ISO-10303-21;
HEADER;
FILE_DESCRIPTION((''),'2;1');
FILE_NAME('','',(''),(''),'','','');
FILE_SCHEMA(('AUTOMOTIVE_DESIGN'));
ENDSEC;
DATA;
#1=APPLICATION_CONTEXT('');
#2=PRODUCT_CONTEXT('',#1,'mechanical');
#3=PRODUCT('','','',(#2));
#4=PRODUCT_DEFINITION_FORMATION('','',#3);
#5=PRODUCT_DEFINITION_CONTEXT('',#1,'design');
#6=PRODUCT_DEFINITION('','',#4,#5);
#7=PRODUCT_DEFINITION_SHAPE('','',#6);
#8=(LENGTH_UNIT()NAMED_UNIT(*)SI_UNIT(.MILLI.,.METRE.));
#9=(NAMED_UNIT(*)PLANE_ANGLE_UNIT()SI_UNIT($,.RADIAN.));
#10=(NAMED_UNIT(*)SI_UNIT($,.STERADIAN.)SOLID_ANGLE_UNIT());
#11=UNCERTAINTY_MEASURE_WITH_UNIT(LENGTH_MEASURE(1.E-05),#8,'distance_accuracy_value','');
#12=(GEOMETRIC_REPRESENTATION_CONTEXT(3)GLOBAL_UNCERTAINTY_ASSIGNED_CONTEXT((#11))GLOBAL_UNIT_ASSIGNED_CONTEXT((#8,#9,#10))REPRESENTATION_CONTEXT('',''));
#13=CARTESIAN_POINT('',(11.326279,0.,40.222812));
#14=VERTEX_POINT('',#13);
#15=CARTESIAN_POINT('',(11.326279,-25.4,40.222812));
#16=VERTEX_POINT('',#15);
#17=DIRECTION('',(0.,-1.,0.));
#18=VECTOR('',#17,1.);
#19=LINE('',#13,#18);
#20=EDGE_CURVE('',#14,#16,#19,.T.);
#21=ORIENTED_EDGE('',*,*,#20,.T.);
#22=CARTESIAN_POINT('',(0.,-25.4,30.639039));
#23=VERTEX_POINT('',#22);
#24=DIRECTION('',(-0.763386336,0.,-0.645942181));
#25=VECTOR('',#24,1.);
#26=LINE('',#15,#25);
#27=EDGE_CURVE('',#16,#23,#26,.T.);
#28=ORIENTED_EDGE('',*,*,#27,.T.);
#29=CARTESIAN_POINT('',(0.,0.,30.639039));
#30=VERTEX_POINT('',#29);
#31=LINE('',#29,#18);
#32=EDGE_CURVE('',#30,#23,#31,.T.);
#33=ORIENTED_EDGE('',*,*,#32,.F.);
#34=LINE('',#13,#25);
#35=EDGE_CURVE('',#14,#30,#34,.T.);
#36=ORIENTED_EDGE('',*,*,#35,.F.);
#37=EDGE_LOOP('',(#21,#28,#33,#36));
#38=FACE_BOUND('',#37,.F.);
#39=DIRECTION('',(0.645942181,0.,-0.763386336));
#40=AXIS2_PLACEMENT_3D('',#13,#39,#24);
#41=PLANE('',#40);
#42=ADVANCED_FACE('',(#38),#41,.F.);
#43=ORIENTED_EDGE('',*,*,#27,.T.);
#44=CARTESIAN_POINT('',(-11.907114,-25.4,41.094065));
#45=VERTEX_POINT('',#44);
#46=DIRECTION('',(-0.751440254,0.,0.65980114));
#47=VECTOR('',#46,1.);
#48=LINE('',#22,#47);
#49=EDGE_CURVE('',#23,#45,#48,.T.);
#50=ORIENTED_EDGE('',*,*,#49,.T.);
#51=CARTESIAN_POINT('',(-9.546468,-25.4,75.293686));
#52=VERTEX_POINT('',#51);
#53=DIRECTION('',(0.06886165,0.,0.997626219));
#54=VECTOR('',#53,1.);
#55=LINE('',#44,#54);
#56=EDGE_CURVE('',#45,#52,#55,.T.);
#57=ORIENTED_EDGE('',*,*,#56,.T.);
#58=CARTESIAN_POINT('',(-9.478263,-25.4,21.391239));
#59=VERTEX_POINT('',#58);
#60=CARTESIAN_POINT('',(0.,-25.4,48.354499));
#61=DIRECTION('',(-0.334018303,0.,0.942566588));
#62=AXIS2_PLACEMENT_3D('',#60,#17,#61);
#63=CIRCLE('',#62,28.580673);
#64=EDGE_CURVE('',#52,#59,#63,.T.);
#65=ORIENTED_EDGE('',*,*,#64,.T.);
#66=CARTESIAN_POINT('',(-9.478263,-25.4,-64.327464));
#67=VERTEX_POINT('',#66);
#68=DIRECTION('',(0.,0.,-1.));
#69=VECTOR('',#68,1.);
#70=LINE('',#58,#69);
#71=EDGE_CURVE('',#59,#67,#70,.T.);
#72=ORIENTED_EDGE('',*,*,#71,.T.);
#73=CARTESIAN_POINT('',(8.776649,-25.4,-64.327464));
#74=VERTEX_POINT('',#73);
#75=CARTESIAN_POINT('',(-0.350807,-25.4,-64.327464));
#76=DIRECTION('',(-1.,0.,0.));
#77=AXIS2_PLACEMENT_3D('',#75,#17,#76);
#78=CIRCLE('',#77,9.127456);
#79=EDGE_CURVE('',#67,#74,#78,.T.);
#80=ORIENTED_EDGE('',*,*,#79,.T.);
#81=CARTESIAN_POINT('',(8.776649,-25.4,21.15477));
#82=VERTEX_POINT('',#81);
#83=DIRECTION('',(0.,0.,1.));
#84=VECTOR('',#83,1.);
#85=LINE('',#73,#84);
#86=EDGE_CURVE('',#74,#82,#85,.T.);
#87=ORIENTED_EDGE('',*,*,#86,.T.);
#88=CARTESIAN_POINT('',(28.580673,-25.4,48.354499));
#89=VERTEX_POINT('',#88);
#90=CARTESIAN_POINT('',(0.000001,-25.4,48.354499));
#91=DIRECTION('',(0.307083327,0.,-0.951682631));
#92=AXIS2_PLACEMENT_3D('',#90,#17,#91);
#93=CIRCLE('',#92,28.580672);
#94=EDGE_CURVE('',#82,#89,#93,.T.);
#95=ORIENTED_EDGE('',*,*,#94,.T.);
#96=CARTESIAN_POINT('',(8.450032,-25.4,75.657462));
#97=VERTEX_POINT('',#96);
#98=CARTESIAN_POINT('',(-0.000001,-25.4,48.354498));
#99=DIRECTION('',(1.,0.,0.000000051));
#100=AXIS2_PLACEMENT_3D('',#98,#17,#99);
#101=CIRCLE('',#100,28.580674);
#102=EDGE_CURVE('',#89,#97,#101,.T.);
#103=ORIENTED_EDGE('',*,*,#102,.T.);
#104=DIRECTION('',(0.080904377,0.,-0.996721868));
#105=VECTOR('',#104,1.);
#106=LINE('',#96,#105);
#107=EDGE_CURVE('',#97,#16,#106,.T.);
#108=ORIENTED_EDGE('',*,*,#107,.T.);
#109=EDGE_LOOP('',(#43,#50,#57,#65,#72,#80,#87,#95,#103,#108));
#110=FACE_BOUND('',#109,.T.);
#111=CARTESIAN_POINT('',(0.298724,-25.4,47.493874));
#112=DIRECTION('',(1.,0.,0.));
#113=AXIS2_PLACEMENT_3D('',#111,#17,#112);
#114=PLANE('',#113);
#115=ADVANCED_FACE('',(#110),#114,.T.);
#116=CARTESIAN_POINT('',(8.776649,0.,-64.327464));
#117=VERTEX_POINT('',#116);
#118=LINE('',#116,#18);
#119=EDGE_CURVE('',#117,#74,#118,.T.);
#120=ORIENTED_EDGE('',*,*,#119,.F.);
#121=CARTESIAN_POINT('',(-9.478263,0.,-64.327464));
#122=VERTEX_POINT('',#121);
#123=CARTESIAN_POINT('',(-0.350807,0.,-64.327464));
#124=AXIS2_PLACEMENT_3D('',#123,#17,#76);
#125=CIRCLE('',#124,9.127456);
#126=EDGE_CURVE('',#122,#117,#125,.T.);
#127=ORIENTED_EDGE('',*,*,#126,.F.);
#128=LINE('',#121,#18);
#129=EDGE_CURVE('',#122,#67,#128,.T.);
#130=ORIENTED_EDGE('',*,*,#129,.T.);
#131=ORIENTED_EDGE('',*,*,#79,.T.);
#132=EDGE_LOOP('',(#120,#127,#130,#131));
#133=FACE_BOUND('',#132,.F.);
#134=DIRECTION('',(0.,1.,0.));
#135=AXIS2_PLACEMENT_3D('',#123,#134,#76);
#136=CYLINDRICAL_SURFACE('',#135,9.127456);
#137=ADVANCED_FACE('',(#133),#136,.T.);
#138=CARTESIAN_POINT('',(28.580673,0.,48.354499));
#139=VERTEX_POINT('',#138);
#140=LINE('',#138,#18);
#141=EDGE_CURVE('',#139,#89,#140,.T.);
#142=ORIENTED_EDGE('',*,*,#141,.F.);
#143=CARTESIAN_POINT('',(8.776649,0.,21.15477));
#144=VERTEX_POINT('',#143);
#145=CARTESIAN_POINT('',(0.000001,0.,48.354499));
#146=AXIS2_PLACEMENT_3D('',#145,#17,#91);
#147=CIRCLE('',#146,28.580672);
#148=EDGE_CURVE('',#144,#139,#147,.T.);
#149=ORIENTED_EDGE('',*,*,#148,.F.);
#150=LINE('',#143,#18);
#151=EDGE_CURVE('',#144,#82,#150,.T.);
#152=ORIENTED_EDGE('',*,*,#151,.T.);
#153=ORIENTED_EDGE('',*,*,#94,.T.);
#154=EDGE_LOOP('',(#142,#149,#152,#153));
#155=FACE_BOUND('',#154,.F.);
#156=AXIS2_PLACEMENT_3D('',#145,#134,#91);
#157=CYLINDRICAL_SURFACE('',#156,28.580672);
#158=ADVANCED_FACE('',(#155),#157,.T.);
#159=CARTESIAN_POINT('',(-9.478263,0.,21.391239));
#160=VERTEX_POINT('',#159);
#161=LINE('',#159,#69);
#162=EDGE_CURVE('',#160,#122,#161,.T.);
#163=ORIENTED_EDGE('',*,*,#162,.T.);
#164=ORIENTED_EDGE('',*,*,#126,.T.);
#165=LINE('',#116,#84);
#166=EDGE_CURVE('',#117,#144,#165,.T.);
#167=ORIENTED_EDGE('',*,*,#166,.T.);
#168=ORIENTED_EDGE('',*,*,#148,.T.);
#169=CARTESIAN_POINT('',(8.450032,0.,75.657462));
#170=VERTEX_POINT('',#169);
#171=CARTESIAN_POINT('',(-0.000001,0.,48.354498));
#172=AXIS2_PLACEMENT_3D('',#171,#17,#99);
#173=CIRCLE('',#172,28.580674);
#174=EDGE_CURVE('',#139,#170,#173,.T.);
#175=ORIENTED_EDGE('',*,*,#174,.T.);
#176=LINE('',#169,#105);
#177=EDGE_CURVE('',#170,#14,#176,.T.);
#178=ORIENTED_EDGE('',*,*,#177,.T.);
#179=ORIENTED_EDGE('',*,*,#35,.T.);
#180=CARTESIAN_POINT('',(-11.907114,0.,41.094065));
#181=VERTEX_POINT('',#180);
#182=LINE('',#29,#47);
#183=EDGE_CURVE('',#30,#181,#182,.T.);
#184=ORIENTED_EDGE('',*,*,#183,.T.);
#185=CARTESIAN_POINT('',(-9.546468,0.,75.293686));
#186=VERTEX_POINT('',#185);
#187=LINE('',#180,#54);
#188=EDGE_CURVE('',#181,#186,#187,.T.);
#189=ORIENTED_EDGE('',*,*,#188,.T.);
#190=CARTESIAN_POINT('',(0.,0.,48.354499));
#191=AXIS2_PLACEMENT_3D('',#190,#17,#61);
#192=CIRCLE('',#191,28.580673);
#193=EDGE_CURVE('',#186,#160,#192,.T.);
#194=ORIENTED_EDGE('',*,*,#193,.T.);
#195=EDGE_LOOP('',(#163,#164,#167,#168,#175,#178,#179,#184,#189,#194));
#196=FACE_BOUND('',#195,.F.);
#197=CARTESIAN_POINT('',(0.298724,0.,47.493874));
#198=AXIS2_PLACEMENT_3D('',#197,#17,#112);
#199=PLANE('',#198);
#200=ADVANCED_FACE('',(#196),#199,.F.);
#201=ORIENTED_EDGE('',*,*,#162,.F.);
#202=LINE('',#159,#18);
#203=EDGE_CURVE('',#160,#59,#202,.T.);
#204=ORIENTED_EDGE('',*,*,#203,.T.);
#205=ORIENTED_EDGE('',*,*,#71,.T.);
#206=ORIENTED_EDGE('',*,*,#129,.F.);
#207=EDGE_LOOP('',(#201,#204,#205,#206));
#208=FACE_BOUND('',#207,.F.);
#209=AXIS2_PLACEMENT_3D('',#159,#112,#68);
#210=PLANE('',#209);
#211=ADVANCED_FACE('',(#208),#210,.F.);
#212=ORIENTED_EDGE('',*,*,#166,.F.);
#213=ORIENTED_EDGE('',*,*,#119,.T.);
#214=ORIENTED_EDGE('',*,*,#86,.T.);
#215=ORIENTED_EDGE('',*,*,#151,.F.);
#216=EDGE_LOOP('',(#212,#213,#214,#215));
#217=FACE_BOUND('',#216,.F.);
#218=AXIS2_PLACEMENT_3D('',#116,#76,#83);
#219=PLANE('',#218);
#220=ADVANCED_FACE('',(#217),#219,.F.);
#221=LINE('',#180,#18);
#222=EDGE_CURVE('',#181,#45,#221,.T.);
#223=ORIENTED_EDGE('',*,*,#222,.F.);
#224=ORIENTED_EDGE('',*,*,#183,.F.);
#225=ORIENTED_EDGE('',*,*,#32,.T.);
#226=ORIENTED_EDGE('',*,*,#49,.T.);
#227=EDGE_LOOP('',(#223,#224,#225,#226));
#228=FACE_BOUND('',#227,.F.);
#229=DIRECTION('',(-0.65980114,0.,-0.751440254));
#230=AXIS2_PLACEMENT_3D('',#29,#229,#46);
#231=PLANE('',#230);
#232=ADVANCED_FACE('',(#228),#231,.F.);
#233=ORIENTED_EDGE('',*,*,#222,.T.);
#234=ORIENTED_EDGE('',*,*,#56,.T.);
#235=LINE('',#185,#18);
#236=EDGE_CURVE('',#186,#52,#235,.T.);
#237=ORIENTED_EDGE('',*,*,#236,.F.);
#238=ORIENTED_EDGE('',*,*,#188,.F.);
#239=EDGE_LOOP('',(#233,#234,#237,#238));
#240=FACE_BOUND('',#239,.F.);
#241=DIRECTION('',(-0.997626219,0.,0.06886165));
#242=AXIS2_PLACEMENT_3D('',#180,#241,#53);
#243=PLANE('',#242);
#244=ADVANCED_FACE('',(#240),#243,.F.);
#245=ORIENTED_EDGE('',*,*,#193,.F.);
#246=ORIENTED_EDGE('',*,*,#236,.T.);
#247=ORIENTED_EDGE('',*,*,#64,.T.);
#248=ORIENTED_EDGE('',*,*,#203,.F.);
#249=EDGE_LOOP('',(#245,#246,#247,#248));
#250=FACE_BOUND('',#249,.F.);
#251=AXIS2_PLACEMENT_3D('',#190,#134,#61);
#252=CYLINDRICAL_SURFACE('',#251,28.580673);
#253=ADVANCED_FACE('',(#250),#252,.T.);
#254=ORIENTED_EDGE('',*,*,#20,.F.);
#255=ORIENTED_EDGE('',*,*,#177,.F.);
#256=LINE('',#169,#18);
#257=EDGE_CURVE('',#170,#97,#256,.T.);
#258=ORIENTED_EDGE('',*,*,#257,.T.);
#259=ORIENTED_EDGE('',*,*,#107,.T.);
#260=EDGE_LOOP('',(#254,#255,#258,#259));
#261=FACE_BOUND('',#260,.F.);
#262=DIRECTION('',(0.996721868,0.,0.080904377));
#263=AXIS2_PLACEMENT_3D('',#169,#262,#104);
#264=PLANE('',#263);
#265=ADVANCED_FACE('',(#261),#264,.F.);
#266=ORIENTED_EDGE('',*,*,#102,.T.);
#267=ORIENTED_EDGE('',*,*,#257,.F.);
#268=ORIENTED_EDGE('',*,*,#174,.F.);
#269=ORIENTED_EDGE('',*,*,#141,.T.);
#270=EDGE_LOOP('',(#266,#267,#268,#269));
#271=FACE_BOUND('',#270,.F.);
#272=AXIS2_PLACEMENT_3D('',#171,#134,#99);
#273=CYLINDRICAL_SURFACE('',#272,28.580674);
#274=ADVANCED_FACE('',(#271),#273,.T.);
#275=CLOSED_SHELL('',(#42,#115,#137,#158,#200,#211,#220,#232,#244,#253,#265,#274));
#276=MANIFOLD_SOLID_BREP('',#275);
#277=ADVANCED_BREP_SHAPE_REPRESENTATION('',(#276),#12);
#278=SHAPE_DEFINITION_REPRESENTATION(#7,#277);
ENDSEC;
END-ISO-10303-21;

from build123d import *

# Parameters (mm, degrees)
F1_DEPTH = 25.4


with BuildPart() as f1:
    # F0 (on Front) → F1 (new body)
    with BuildSketch(Plane.XZ):
        with BuildLine():
            ThreePointArc((8.776649, 21.15477), (23.105166, 31.531712), (28.580673, 48.354499))
            ThreePointArc((28.580673, 48.354499), (23.003939, 65.315443), (8.450032, 75.657462))
            Line((8.450032, 75.657462), (11.326279, 40.222812))
            Line((11.326279, 40.222812), (0, 30.639039))
            Line((0, 30.639039), (-11.907114, 41.094065))
            Line((-11.907114, 41.094065), (-9.546468, 75.293686))
            ThreePointArc((-9.546468, 75.293686), (-28.58065, 48.318335), (-9.478263, 21.391239))
            ThreePointArc((-9.478263, 21.391239), (-0.370196, 19.776224), (8.776649, 21.15477))
        make_face()
        with BuildLine():
            Line((8.776649, -64.327464), (8.776649, 21.15477))
            ThreePointArc((8.776649, 21.15477), (-0.370196, 19.776224), (-9.478263, 21.391239))
            Line((-9.478263, 21.391239), (-9.478263, -64.327464))
            ThreePointArc((-9.478263, -64.327464), (-0.350807, -73.45492), (8.776649, -64.327464))
        make_face()
    extrude(amount=F1_DEPTH)


solid = f1.part
